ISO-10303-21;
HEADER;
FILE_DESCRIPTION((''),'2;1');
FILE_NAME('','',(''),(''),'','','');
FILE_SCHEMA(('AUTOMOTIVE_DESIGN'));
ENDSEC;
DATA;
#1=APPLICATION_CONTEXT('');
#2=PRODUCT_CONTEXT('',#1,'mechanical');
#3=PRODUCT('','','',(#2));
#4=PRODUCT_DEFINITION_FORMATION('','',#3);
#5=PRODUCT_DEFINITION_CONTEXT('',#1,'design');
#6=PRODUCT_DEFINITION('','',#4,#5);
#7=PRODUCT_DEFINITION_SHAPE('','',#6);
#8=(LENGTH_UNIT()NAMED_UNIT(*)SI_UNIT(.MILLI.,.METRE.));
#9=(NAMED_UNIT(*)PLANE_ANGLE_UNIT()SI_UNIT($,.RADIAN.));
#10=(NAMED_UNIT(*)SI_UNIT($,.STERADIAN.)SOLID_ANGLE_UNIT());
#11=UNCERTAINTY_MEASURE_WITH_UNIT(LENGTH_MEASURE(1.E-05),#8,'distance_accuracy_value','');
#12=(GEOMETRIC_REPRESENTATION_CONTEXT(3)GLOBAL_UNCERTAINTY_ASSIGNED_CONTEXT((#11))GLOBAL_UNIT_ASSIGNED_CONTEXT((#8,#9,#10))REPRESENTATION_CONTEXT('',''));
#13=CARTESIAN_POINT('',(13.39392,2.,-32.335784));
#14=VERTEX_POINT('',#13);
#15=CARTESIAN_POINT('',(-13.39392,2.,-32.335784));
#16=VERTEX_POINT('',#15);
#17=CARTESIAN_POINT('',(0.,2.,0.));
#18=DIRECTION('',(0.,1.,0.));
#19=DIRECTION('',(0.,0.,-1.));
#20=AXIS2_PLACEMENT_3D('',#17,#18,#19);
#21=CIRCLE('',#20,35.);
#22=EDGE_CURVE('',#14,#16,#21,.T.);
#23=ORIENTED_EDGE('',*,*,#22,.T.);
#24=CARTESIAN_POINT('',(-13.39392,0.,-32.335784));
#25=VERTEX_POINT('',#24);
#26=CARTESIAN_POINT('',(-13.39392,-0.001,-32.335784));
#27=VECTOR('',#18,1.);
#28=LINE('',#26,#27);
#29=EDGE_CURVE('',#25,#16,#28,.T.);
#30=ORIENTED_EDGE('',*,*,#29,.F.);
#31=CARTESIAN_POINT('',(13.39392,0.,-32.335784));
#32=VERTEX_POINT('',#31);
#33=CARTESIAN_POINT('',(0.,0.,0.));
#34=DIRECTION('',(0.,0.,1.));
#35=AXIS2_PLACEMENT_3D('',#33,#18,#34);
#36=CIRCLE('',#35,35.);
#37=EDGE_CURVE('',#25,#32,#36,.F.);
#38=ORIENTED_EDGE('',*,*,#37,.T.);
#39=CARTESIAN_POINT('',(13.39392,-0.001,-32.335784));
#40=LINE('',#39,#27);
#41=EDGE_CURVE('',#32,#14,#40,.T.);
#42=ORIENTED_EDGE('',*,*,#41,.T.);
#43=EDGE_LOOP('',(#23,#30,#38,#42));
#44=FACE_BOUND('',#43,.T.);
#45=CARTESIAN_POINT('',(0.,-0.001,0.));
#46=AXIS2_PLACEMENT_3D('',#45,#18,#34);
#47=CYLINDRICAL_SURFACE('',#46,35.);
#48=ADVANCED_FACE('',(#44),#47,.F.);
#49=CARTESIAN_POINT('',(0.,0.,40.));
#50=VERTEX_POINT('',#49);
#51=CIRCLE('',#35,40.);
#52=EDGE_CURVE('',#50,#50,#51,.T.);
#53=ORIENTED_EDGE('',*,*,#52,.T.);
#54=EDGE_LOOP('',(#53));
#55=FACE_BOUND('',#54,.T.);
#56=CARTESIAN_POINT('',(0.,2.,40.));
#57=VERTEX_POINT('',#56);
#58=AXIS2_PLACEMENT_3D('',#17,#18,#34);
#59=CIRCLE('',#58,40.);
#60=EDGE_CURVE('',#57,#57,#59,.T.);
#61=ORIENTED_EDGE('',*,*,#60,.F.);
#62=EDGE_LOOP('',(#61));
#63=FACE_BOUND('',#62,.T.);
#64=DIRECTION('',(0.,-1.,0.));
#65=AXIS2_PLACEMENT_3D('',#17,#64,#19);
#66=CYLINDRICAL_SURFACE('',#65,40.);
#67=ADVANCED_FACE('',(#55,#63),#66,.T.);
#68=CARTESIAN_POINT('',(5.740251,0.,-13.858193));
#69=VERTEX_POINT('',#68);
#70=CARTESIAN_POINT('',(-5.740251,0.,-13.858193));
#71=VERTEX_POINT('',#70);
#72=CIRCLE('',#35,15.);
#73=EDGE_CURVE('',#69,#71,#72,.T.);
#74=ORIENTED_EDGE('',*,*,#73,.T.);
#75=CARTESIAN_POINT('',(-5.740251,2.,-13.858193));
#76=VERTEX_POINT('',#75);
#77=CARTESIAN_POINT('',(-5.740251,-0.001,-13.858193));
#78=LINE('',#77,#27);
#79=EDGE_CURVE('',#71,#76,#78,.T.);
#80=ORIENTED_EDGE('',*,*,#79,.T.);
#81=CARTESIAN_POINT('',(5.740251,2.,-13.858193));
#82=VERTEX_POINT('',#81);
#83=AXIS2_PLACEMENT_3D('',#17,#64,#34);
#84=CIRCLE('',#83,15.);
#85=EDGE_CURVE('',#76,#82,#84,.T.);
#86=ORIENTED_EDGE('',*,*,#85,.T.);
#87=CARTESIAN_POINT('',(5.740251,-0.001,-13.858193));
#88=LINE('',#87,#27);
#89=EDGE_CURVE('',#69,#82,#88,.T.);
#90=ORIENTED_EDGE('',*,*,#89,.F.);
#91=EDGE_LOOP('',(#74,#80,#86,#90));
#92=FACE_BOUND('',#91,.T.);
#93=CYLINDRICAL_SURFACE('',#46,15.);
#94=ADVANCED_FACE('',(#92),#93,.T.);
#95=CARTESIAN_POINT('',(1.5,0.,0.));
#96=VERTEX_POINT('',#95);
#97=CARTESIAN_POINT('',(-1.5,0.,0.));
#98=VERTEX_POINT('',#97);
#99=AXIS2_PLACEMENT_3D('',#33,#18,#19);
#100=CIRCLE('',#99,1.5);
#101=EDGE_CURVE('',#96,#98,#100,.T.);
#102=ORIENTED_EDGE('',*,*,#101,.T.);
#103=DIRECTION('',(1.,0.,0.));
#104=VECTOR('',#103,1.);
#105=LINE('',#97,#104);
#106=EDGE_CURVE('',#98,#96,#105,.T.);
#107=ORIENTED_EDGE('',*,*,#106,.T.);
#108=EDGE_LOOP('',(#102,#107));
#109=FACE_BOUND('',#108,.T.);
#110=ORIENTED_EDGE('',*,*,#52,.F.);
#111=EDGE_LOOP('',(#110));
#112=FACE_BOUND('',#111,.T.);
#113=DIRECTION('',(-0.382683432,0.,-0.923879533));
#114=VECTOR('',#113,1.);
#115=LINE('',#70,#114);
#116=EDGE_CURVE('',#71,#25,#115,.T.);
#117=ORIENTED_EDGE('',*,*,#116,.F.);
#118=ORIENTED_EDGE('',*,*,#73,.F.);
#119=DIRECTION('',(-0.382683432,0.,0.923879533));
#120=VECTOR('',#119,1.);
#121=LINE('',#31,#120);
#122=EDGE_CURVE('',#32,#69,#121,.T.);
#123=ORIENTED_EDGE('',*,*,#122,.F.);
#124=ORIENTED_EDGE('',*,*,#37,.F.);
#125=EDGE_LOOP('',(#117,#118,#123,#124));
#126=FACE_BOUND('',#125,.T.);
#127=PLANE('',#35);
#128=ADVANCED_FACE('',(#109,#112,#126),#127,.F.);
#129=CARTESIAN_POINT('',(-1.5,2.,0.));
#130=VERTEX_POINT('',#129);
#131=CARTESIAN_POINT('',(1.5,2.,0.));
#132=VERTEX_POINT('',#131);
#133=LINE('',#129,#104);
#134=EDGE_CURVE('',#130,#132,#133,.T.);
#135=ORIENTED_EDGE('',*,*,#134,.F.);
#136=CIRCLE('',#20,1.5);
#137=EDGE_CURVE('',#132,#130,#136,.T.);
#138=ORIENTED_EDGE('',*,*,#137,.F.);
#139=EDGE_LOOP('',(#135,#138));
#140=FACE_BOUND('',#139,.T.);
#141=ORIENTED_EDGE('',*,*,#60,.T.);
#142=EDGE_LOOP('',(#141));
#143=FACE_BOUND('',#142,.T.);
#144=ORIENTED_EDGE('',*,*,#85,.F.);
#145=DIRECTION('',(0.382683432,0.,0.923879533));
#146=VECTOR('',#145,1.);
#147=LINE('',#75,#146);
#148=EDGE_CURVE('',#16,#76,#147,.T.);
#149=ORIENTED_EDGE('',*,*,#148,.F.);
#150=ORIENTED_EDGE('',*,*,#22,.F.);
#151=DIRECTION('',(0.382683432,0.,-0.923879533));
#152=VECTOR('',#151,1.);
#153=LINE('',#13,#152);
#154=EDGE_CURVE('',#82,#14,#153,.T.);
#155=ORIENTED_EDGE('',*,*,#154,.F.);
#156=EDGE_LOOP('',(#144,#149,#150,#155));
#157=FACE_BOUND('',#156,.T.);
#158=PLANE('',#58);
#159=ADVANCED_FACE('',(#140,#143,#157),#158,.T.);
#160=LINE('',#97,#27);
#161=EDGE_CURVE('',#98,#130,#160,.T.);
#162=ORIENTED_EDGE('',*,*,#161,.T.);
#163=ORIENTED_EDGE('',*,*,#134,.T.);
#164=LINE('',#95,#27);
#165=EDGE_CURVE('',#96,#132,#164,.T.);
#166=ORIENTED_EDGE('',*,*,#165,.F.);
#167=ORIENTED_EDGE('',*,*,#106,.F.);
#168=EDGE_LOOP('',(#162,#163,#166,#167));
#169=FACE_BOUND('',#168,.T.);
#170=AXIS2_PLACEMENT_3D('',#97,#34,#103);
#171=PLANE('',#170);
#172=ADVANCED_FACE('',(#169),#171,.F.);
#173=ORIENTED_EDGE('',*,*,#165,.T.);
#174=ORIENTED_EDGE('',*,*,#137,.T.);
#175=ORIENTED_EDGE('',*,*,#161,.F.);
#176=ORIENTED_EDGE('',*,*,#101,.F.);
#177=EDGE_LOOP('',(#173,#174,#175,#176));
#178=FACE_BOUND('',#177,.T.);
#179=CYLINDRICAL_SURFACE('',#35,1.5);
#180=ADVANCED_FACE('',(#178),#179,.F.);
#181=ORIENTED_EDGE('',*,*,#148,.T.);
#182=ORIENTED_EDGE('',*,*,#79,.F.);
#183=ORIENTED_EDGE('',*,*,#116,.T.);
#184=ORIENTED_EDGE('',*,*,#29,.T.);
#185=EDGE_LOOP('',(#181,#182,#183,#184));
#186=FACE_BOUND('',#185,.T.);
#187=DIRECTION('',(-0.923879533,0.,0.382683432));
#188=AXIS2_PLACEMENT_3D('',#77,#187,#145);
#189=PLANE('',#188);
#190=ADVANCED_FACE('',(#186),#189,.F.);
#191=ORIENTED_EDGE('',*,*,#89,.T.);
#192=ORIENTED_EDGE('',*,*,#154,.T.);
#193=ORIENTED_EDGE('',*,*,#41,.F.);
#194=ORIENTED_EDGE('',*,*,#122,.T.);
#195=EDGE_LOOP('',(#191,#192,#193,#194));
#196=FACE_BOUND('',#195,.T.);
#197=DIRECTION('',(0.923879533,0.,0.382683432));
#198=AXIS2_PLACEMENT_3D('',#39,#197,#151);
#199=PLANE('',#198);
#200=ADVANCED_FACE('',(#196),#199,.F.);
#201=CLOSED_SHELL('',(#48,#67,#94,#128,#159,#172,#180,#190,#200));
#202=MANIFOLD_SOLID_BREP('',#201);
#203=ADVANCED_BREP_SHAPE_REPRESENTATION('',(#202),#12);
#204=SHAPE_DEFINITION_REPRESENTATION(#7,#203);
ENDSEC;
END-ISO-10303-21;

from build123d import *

# Parameters (mm, degrees)
SKETCH2_R           = 40
BOSS_EXTRUDE1_DEPTH = 2
CUT_EXTRUDE1_REACH  = 58.604
CUT_EXTRUDE2_DEPTH  = 57.603886792


with BuildPart() as part:
    # Sketch2 → Boss-Extrude1 (new body)
    with BuildSketch(Plane(origin=(0, 0, 0), x_dir=(1, 0, 0), z_dir=(0, 1, 0))):
        with Locations(Location((0, 0, 0), (0, 0, 270))):
            Circle(SKETCH2_R)
    extrude(amount=BOSS_EXTRUDE1_DEPTH)

    # Sketch3 → Cut-Extrude1 (cut, up to next)
    with BuildSketch(Plane(origin=(0, 2, 0), x_dir=(1, 0, 0), z_dir=(0, 1, 0)), mode=Mode.PRIVATE) as cut_extrude1_sk1:
        with BuildLine():
            Line((-5.740251485, 13.858192988), (-13.393920133, 32.335783638))
            ThreePointArc((-13.393920133, 32.335783638), (0, 35), (13.393920133, 32.335783638))
            Line((13.393920133, 32.335783638), (5.740251485, 13.858192988))
            ThreePointArc((5.740251485, 13.858192988), (0, 15), (-5.740251485, 13.858192988))
        make_face()
    cut_extrude1_tool1 = extrude(cut_extrude1_sk1.sketch, amount=-CUT_EXTRUDE1_REACH, mode=Mode.PRIVATE) & part.part
    add(cut_extrude1_tool1.solids().sort_by_distance((0, 2, -25.661711))[0], mode=Mode.SUBTRACT)

    # Sketch5 → Cut-Extrude2 (cut, through all)
    with BuildSketch(Plane(origin=(0, 2, 0), x_dir=(1, 0, 0), z_dir=(0, 1, 0))):
        with BuildLine():
            Line((-1.5, 0), (1.5, 0))
            ThreePointArc((1.5, 0), (0, 1.5), (-1.5, 0))
        make_face()
    extrude(amount=-CUT_EXTRUDE2_DEPTH, mode=Mode.SUBTRACT)


solid = part.part
